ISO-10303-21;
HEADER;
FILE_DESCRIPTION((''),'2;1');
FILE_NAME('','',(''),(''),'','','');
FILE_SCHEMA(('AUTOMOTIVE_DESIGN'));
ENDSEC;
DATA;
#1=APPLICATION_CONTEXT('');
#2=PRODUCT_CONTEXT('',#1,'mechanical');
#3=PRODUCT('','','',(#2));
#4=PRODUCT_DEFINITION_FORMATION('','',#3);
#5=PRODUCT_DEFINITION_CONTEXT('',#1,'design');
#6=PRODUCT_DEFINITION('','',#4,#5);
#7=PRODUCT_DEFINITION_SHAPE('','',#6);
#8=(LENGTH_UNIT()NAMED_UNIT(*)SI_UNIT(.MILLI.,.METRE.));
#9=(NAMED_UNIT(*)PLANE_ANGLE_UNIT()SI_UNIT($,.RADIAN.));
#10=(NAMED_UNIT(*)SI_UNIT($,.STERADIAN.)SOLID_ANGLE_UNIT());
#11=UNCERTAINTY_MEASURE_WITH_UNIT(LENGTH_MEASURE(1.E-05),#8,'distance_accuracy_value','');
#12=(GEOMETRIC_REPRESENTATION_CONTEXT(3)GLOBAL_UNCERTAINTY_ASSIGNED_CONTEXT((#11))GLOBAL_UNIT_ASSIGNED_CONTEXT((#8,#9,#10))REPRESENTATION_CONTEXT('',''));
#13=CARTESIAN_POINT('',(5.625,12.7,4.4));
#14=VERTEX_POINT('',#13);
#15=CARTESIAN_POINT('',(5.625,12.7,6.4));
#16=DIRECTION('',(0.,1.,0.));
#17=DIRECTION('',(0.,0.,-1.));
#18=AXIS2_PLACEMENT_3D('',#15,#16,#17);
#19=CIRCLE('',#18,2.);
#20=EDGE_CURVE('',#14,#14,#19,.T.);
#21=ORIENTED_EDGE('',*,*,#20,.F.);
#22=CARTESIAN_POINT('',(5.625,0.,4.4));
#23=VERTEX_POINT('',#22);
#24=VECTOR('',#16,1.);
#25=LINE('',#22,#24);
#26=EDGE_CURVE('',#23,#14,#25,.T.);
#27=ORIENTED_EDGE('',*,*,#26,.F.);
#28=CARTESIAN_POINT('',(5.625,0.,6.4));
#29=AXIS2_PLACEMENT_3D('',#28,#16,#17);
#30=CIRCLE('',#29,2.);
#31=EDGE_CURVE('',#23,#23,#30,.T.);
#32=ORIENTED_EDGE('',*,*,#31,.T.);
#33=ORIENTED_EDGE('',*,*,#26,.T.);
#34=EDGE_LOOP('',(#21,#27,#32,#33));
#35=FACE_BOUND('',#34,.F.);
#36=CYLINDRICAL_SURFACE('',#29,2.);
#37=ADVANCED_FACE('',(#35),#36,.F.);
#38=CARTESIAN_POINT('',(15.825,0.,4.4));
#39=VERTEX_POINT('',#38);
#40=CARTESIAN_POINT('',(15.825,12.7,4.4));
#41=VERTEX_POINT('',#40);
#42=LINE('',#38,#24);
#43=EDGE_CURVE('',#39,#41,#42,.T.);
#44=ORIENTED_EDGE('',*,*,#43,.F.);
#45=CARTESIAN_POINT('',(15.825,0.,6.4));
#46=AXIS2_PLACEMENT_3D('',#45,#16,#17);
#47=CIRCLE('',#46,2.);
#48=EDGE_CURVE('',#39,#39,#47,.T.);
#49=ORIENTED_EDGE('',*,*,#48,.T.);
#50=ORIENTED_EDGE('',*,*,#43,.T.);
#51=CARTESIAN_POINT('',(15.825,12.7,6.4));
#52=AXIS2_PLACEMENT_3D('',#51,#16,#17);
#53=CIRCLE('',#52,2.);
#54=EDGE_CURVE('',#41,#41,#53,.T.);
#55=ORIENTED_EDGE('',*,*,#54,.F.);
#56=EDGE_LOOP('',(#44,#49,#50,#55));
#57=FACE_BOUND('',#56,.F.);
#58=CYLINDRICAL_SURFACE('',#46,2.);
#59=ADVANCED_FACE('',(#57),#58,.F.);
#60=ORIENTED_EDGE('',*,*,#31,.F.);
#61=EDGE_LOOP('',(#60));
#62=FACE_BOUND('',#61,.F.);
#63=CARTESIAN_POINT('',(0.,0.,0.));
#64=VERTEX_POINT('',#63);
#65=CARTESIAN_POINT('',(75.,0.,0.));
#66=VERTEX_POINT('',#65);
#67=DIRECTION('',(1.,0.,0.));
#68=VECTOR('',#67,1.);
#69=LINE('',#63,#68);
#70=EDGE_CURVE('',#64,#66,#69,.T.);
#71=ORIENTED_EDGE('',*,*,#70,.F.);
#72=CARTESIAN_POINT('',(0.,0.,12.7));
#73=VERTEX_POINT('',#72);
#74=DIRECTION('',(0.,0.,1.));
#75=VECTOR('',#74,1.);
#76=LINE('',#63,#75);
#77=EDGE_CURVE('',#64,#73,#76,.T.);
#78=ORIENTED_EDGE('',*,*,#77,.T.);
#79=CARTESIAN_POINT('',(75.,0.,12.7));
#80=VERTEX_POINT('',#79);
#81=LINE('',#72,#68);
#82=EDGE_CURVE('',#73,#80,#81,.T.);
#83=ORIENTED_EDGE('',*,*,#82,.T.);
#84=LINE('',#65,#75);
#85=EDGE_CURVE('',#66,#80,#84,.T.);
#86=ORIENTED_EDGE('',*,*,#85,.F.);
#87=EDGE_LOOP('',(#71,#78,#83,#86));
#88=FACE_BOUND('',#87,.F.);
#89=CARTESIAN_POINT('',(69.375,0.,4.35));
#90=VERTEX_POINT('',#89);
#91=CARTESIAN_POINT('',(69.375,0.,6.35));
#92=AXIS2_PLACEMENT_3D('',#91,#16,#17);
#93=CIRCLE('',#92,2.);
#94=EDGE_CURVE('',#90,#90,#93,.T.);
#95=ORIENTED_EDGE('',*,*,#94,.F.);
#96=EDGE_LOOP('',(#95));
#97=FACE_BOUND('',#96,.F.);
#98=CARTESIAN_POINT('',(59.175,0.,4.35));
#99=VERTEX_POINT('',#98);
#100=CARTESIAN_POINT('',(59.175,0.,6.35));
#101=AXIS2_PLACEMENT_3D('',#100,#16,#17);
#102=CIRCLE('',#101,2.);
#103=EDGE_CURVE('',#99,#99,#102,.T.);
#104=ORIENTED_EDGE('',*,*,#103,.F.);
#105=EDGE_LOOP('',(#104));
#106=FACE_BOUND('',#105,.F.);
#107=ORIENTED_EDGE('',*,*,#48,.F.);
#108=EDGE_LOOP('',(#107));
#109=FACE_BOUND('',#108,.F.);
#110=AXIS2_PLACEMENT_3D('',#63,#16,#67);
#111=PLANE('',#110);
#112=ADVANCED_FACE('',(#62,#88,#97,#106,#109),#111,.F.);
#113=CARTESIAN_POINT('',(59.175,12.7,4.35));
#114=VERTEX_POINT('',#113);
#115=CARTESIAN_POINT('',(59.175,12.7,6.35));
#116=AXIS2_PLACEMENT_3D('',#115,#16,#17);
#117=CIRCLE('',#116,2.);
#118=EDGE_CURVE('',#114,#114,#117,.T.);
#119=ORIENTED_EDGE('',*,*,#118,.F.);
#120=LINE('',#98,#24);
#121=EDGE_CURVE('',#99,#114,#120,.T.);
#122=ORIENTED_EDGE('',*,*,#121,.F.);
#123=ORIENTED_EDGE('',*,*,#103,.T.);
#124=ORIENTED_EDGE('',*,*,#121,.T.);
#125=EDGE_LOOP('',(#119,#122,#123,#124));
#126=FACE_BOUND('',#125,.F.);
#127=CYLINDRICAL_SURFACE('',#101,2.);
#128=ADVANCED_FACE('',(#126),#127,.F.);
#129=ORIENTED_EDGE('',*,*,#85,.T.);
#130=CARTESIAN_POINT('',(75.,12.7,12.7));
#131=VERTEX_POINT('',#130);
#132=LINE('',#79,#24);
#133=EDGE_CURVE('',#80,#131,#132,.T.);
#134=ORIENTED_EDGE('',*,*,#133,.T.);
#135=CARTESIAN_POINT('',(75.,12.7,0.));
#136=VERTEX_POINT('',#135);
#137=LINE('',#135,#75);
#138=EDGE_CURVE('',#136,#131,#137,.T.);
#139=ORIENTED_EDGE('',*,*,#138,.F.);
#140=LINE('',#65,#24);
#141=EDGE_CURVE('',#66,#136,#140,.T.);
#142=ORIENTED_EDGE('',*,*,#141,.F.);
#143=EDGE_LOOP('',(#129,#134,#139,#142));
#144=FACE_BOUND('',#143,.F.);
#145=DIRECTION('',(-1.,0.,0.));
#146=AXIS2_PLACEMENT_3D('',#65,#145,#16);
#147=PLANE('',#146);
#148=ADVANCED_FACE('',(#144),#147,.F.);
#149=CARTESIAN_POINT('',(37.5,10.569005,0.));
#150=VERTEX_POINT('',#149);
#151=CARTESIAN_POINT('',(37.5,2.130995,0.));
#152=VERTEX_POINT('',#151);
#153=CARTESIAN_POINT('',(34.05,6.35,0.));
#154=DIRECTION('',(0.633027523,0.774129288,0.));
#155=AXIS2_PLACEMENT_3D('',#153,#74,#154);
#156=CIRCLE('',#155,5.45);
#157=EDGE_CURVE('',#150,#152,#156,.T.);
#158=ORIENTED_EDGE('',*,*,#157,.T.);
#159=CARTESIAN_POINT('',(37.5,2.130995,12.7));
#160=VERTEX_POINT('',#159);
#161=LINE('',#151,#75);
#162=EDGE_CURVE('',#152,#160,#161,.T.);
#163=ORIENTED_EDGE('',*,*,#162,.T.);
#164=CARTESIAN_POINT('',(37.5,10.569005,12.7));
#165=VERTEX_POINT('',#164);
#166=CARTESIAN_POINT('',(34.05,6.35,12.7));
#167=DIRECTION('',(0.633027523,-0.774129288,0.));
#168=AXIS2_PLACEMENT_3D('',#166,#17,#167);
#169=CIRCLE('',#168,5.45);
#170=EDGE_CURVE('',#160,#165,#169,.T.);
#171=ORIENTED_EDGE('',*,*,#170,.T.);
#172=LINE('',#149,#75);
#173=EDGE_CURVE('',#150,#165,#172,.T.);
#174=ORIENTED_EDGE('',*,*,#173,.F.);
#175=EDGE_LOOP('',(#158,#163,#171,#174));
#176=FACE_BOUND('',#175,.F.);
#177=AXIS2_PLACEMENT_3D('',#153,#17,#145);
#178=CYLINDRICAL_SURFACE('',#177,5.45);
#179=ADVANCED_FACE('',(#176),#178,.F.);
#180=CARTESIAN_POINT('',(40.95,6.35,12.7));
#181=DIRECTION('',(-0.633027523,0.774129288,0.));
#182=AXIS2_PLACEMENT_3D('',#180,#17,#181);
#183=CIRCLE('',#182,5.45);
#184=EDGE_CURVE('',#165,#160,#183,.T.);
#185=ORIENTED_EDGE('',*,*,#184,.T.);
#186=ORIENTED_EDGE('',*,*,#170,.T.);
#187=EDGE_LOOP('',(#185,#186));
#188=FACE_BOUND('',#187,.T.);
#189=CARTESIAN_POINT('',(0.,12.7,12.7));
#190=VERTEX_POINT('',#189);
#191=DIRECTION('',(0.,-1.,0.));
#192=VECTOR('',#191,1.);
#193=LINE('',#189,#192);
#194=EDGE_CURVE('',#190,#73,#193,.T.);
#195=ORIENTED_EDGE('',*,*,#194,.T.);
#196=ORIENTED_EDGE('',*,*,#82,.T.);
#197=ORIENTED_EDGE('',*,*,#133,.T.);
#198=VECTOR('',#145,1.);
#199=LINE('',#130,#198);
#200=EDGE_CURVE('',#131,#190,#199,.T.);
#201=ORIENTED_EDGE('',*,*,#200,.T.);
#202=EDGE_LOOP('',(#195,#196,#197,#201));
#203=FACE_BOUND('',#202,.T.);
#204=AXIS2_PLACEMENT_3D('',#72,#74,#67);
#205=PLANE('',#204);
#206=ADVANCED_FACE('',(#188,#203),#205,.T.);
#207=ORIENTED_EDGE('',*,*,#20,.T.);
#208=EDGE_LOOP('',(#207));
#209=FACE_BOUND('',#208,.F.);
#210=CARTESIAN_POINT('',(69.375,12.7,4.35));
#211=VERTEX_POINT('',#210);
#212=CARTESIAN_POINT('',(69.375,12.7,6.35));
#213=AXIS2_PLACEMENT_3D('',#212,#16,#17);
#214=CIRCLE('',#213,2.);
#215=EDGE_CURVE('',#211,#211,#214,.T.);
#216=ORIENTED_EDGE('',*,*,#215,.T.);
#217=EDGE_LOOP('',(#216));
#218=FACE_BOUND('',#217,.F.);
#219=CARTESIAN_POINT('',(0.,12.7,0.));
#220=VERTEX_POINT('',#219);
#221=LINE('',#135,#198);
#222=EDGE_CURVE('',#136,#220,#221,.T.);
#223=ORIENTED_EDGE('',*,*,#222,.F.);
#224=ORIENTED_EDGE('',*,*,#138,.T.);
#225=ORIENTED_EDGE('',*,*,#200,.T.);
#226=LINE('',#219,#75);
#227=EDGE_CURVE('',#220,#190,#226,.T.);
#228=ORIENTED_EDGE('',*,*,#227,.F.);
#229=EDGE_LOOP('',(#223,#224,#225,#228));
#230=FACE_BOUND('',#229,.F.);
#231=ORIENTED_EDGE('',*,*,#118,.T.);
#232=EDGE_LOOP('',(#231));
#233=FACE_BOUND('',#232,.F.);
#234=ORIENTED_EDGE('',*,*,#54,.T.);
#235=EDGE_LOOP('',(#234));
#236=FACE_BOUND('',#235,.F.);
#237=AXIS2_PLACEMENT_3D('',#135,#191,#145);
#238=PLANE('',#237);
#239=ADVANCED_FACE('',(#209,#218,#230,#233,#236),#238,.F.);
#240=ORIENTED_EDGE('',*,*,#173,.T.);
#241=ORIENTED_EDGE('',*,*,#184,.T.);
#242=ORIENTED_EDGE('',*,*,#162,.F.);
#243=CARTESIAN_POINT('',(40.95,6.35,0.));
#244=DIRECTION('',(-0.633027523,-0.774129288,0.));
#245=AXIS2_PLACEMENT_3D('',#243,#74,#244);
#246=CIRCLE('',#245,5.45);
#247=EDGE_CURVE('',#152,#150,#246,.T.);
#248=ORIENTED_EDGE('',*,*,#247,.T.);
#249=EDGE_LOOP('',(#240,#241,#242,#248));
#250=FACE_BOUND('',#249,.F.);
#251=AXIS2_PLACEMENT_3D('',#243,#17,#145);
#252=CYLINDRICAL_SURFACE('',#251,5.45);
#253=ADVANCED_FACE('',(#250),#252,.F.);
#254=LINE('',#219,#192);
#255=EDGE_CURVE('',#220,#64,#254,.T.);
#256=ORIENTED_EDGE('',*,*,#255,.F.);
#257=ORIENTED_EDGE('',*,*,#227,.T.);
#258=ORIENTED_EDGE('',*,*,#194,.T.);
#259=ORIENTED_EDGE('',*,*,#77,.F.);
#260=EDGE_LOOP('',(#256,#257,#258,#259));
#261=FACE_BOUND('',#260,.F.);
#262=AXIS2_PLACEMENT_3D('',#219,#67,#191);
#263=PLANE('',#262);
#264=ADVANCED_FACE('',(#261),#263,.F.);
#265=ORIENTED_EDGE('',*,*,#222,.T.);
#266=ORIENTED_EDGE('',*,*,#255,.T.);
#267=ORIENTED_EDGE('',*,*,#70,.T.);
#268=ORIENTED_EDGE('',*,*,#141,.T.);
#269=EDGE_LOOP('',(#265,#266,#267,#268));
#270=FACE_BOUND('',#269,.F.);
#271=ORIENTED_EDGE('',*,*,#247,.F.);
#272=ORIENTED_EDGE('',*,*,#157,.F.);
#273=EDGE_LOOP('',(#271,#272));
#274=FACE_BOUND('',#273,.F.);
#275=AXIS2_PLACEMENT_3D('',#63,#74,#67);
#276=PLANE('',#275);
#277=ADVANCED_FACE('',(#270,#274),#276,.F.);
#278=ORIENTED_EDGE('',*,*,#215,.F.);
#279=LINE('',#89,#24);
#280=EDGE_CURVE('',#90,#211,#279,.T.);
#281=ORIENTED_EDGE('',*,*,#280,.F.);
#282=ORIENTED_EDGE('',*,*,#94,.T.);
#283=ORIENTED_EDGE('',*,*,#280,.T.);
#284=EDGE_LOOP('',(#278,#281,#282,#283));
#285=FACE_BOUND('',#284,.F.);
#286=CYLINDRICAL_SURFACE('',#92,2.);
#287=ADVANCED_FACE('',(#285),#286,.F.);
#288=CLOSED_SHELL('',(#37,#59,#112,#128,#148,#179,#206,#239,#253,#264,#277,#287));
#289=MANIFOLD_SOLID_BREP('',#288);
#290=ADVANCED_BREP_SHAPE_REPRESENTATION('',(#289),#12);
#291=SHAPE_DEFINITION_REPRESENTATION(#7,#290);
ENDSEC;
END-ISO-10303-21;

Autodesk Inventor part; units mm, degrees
ref_plane "YZ Plane" through (0, 0, 0) normal (1, 0, 0) x (0, 1, 0)
ref_plane "XZ Plane" through (0, 0, 0) normal (0, 1, 0) x (-1, 0, 0)
ref_plane "XY Plane" through (0, 0, 0) normal (0, 0, 1) x (1, 0, 0)
sketch "Boceto1" plane through (0, 0, 0) normal (0, 0, 1) x (1, 0, 0)
  line L0 (0, 0) -> (75, 0)
  line L1 (75, 0) -> (75, 12.7)
  line L2 (75, 12.7) -> (0, 12.7)
  line L3 (0, 12.7) -> (0, 0)
  dimension "d0" = 75
  dimension "d1" = 12.7
extrude "Extrusión1" add sketch "Boceto1" along normal blind 12.7
sketch "Boceto2" plane through (0, 0, 0) normal (0, 0, -1) x (-1, 0, 0)
  line L0 (0, 12.7) -> (0, 0) projected
  line L1 (0, 6.35) -> (-28.6, 6.35)
  line L2 (-28.6, 6.35) -> (-34.05, 6.35)
  line L3 (-28.6, 6.35) -> (-23.15, 6.35) construction
  circle A0 centre (-34.05, 6.35) radius 5.45
  line L4 (-75, 6.35) -> (-46.4, 6.35)
  line L5 (-46.4, 6.35) -> (-40.95, 6.35)
  line L6 (-46.4, 6.35) -> (-51.85, 6.35) construction
  circle A1 centre (-40.95, 6.35) radius 5.45
  point P0 (-37.5, 2.131)
  point P1 (-37.5, 10.569)
  dimension "d4" = 28.6
  dimension "d5" = 5.45
  dimension "d6" = 180
  dimension "d7" = 28.6
  dimension "d8" = 5.45
  dimension "d9" = 180
extrude "Extrusión2" cut sketch "Boceto2" against normal blind 12.7
sketch "Boceto3" plane through (0, 0, 0) normal (0, -1, 0) x (1, 0, 0)
  line L0 (75, 0) -> (75, 12.7) projected
  line L1 (75, 6.35) -> (71.1, 6.35)
  line L2 (71.1, 6.35) -> (69.375, 6.35)
  circle A0 centre (69.375, 6.35) radius 1.725
  line L3 (67.65, 6.35) -> (60.9, 6.35)
  line L4 (60.9, 6.35) -> (59.175, 6.35)
  circle A1 centre (59.175, 6.35) radius 1.725
  circle A2 centre (69.375, 6.35) radius 2
  circle A3 centre (59.175, 6.35) radius 2
  line L5 (75, 0) -> (0, 0) projected
  line L6 (37.5, 0) -> (37.5, 12.7)
  line L7 (0, 12.7) -> (75, 12.7) projected
  line L8 (0, 6.4) -> (3.9, 6.4)
  line L9 (3.9, 6.4) -> (5.625, 6.4)
  circle A4 centre (5.625, 6.4) radius 1.725
  line L10 (7.35, 6.4) -> (14.1, 6.4)
  line L11 (14.1, 6.4) -> (15.825, 6.4)
  circle A5 centre (15.825, 6.4) radius 1.725
  circle A6 centre (5.625, 6.4) radius 2
  circle A7 centre (15.825, 6.4) radius 2
  line L12 (0, 0) -> (75, 0) projected
  dimension "d12" = 3.9
  dimension "d13" = 1.725
  dimension "d14" = 6.75
  dimension "d15" = 1.725
  dimension "d16" = 4
  dimension "d17" = 4
  dimension "d18" = 3.9
  dimension "d19" = 1.725
  dimension "d20" = 6.75
  dimension "d21" = 1.725
  dimension "d22" = 4
  dimension "d23" = 4
  dimension "d31" = 6.4
  dimension "d32" = 6.4
hole "Agujero1" at (59.175, 0, 6.35) at (69.375, 0, 6.35) at (15.825, 0, 6.4) at (5.625, 0, 6.4) direction (0, 1, 0) diameter 4 depth 12.7
properties part number "Celda_Carga"
